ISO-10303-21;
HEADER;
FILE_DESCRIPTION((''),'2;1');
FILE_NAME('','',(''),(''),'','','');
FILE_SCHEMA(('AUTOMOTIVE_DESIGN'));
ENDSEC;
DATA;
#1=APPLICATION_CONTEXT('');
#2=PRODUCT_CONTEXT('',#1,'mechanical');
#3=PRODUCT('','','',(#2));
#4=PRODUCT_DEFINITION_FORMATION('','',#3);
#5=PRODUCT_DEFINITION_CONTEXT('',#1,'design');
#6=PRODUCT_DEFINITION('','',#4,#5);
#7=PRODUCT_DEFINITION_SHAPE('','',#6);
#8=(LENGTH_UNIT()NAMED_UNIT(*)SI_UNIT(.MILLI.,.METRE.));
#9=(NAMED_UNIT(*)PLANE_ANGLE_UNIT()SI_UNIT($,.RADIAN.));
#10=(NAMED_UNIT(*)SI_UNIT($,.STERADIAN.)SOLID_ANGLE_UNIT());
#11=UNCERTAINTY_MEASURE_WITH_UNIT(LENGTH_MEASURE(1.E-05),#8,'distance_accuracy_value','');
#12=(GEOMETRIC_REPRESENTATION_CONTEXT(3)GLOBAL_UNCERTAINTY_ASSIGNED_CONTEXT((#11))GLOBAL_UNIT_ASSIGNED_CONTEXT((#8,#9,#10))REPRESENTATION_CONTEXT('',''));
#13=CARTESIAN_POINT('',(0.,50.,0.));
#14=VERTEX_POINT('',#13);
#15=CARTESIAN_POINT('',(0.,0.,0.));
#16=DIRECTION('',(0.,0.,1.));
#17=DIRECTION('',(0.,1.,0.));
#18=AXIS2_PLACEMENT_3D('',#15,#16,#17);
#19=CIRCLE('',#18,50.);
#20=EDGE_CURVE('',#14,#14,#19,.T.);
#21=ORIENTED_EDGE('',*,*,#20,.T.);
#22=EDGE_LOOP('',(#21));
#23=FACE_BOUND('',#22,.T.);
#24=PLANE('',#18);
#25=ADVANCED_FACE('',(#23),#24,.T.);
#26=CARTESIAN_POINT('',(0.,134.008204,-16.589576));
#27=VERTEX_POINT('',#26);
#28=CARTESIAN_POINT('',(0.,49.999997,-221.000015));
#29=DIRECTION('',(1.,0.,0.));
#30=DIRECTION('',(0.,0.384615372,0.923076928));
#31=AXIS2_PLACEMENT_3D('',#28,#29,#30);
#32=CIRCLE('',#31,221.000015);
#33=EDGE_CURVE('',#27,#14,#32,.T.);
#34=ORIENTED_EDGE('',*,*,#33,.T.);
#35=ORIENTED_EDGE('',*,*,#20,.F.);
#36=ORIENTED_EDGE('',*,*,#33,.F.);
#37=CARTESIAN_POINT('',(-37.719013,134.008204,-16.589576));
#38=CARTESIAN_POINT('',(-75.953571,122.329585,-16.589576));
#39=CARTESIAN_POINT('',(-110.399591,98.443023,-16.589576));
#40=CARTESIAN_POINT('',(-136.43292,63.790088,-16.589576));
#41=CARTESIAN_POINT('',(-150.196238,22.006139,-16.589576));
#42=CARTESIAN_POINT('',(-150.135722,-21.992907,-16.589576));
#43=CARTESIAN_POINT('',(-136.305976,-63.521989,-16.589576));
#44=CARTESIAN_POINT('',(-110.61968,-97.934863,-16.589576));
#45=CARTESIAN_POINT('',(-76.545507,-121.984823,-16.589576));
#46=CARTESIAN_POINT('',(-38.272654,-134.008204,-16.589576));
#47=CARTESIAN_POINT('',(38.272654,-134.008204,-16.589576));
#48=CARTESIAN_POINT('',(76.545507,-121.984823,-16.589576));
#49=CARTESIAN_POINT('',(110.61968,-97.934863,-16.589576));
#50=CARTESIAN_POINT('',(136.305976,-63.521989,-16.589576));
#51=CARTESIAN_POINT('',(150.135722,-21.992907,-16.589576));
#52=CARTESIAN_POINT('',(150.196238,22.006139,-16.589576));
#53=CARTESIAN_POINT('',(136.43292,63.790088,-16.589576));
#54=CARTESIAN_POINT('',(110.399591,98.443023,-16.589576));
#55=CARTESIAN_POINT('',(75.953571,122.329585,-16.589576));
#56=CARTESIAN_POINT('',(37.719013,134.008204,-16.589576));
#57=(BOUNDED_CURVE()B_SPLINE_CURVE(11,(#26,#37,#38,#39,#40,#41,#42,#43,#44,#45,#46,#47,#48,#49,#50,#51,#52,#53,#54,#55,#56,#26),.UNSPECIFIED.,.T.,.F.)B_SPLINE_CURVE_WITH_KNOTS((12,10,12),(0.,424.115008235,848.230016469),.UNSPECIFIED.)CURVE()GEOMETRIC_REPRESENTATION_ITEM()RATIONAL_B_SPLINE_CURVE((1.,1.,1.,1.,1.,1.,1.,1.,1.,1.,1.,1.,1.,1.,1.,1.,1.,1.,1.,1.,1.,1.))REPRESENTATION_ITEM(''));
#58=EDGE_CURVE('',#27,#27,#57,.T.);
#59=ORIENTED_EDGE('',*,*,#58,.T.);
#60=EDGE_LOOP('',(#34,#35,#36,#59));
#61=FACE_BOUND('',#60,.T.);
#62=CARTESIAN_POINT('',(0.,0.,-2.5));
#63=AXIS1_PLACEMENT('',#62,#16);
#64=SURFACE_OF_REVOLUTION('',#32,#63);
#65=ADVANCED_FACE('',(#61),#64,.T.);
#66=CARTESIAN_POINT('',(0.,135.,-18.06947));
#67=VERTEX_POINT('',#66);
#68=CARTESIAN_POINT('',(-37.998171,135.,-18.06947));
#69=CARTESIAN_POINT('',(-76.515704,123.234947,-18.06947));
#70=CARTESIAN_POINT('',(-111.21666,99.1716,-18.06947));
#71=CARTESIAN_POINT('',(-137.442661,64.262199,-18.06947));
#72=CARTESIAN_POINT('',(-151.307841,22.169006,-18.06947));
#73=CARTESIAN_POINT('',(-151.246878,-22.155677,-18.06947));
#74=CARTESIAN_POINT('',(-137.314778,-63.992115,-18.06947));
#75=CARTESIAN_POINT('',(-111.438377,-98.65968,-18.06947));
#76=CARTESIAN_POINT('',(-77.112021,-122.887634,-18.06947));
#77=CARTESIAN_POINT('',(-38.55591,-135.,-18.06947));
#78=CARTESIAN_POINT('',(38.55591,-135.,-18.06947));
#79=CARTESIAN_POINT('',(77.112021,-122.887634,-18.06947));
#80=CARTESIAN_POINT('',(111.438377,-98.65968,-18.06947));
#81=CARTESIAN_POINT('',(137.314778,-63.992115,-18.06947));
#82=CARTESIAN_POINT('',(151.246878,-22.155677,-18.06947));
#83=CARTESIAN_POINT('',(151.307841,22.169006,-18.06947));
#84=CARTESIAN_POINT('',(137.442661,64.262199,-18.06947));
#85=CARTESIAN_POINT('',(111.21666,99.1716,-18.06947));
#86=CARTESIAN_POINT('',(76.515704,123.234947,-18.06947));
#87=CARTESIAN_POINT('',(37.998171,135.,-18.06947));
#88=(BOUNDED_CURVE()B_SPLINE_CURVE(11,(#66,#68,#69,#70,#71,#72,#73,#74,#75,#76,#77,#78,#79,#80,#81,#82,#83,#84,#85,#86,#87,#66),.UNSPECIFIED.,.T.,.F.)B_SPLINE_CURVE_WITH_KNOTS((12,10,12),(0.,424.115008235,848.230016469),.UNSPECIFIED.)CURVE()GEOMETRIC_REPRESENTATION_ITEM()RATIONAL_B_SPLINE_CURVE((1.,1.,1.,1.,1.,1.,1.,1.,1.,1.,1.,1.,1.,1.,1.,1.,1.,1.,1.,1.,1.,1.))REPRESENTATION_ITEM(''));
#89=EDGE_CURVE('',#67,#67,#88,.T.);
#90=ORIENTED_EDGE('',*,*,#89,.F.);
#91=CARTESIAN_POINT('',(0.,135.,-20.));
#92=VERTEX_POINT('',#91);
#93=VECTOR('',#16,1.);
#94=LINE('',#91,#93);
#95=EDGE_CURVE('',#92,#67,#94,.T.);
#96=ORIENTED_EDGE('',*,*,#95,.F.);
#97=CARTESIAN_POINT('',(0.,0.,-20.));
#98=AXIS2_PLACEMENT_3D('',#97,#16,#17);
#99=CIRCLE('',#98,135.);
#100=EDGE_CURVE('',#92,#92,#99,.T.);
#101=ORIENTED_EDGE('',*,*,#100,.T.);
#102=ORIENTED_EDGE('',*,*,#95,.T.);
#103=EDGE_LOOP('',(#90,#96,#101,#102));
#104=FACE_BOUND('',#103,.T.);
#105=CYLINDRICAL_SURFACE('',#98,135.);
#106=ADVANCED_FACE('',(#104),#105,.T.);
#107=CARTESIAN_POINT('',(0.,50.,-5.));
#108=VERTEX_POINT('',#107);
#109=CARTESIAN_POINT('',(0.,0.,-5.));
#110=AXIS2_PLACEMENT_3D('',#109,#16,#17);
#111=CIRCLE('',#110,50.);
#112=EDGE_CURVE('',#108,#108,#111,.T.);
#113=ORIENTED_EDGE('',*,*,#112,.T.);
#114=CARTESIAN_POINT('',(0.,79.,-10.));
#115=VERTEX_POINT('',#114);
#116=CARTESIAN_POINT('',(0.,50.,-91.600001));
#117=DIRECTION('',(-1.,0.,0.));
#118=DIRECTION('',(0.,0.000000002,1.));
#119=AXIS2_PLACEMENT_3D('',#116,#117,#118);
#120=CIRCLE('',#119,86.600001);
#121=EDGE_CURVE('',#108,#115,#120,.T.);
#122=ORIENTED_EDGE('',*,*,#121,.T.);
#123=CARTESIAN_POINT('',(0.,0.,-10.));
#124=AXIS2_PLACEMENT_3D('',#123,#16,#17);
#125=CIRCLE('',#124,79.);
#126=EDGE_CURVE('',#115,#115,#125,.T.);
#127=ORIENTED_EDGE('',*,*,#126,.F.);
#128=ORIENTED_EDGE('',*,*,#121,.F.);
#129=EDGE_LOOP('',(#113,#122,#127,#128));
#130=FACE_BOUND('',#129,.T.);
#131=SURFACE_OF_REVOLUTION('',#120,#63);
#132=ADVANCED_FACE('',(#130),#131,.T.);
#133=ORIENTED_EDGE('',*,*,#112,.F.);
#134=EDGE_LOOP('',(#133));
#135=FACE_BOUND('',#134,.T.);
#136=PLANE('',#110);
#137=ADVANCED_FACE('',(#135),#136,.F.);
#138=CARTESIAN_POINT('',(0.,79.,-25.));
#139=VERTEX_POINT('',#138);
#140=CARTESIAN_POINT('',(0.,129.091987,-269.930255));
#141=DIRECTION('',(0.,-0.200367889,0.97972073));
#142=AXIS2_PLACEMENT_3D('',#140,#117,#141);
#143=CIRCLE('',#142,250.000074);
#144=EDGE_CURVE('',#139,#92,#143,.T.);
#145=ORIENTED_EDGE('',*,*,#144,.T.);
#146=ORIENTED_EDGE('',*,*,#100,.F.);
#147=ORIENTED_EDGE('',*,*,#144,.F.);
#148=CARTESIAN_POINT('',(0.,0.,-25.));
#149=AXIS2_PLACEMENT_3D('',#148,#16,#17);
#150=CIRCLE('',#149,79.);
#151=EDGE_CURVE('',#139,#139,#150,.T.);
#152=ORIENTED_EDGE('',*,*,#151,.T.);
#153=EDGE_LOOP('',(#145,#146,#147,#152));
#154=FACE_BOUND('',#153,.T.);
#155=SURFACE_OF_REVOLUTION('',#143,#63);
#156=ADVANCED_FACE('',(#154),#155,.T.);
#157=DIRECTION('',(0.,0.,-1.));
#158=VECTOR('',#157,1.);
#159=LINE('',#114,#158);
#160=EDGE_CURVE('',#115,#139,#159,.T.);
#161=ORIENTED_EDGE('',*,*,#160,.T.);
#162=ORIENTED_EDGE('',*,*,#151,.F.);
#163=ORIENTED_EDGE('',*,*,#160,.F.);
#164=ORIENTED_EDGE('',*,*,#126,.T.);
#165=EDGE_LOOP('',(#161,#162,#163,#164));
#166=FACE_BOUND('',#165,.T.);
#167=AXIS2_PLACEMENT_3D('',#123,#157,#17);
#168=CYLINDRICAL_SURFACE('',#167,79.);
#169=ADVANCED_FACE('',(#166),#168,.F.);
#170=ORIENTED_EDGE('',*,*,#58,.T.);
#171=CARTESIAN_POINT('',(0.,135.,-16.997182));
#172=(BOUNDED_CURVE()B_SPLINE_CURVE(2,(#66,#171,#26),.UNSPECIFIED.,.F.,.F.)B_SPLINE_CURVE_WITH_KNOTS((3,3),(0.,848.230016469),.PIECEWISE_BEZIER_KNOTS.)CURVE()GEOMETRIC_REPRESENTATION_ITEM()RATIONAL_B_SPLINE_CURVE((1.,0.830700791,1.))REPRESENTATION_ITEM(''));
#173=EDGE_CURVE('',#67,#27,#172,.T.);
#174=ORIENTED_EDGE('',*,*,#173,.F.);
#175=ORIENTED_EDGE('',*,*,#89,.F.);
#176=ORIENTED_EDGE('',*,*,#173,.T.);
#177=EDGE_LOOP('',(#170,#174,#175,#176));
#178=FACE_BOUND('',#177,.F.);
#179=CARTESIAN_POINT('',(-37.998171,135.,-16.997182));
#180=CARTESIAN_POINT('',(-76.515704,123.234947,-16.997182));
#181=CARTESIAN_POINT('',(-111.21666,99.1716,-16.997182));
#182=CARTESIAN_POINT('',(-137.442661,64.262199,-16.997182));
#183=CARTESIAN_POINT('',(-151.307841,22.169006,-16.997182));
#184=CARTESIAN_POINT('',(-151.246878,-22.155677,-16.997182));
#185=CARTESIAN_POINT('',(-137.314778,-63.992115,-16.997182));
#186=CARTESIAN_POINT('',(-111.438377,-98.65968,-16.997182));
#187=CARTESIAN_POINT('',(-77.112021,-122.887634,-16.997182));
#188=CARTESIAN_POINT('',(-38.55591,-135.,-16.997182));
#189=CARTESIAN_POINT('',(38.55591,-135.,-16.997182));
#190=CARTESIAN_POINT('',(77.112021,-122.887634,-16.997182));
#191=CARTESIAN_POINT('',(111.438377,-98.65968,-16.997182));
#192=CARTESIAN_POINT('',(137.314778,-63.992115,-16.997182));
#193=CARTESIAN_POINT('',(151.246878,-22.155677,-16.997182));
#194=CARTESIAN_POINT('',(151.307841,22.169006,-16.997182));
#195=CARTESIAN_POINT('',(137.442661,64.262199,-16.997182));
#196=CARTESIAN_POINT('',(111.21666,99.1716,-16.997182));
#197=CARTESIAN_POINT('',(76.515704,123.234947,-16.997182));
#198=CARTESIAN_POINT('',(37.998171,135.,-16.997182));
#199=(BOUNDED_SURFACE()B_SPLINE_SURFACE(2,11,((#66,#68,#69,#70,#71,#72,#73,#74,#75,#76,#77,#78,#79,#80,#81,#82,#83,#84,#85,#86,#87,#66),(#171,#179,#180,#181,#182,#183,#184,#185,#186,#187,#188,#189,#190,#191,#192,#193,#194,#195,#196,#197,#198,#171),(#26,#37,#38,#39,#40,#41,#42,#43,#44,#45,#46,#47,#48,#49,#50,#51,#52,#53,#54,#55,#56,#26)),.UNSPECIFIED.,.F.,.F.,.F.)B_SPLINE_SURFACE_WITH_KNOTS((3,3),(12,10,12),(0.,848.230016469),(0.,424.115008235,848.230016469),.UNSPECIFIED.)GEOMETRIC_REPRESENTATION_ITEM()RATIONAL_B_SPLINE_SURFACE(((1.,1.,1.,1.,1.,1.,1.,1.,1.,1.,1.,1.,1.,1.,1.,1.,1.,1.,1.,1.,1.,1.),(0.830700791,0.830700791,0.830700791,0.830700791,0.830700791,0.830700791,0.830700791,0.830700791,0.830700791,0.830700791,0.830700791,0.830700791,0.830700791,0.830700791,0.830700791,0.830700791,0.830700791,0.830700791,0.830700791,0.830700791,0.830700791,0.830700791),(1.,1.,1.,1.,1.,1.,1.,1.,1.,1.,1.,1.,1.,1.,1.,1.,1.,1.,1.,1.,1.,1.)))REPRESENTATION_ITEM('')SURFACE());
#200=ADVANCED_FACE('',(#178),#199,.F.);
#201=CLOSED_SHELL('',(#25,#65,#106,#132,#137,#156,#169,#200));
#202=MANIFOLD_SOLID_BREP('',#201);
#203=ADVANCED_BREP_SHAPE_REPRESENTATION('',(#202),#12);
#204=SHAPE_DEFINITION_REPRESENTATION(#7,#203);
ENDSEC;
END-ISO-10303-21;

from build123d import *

# Parameters (mm, degrees)
F2_R = 1.6


with BuildPart() as f1:
    # F0 (on Right) → F1 (revolve)
    with BuildSketch(Plane.YZ):
        with BuildLine():
            Line((50, 0), (0, 0))
            Line((0, 0), (0, -5))
            Line((0, -5), (50, -5))
            ThreePointArc((50, -5), (64.713939, -6.259154), (79, -10))
            Line((79, -10), (79, -25))
            ThreePointArc((79, -25), (106.858996, -20.920755), (135, -20))
            Line((135, -20), (135, -17))
            ThreePointArc((135, -17), (93.341666, -4.291671), (50, 0))
        make_face()
    revolve(axis=Axis((0, 0, -2.5), (0, 0, 1)))

    # F2
    f2_edges = [f1.edges().sort_by_distance(p)[0] for p in [
        (0, -135, -17),
    ]]
    fillet(f2_edges, radius=F2_R)


solid = f1.part
